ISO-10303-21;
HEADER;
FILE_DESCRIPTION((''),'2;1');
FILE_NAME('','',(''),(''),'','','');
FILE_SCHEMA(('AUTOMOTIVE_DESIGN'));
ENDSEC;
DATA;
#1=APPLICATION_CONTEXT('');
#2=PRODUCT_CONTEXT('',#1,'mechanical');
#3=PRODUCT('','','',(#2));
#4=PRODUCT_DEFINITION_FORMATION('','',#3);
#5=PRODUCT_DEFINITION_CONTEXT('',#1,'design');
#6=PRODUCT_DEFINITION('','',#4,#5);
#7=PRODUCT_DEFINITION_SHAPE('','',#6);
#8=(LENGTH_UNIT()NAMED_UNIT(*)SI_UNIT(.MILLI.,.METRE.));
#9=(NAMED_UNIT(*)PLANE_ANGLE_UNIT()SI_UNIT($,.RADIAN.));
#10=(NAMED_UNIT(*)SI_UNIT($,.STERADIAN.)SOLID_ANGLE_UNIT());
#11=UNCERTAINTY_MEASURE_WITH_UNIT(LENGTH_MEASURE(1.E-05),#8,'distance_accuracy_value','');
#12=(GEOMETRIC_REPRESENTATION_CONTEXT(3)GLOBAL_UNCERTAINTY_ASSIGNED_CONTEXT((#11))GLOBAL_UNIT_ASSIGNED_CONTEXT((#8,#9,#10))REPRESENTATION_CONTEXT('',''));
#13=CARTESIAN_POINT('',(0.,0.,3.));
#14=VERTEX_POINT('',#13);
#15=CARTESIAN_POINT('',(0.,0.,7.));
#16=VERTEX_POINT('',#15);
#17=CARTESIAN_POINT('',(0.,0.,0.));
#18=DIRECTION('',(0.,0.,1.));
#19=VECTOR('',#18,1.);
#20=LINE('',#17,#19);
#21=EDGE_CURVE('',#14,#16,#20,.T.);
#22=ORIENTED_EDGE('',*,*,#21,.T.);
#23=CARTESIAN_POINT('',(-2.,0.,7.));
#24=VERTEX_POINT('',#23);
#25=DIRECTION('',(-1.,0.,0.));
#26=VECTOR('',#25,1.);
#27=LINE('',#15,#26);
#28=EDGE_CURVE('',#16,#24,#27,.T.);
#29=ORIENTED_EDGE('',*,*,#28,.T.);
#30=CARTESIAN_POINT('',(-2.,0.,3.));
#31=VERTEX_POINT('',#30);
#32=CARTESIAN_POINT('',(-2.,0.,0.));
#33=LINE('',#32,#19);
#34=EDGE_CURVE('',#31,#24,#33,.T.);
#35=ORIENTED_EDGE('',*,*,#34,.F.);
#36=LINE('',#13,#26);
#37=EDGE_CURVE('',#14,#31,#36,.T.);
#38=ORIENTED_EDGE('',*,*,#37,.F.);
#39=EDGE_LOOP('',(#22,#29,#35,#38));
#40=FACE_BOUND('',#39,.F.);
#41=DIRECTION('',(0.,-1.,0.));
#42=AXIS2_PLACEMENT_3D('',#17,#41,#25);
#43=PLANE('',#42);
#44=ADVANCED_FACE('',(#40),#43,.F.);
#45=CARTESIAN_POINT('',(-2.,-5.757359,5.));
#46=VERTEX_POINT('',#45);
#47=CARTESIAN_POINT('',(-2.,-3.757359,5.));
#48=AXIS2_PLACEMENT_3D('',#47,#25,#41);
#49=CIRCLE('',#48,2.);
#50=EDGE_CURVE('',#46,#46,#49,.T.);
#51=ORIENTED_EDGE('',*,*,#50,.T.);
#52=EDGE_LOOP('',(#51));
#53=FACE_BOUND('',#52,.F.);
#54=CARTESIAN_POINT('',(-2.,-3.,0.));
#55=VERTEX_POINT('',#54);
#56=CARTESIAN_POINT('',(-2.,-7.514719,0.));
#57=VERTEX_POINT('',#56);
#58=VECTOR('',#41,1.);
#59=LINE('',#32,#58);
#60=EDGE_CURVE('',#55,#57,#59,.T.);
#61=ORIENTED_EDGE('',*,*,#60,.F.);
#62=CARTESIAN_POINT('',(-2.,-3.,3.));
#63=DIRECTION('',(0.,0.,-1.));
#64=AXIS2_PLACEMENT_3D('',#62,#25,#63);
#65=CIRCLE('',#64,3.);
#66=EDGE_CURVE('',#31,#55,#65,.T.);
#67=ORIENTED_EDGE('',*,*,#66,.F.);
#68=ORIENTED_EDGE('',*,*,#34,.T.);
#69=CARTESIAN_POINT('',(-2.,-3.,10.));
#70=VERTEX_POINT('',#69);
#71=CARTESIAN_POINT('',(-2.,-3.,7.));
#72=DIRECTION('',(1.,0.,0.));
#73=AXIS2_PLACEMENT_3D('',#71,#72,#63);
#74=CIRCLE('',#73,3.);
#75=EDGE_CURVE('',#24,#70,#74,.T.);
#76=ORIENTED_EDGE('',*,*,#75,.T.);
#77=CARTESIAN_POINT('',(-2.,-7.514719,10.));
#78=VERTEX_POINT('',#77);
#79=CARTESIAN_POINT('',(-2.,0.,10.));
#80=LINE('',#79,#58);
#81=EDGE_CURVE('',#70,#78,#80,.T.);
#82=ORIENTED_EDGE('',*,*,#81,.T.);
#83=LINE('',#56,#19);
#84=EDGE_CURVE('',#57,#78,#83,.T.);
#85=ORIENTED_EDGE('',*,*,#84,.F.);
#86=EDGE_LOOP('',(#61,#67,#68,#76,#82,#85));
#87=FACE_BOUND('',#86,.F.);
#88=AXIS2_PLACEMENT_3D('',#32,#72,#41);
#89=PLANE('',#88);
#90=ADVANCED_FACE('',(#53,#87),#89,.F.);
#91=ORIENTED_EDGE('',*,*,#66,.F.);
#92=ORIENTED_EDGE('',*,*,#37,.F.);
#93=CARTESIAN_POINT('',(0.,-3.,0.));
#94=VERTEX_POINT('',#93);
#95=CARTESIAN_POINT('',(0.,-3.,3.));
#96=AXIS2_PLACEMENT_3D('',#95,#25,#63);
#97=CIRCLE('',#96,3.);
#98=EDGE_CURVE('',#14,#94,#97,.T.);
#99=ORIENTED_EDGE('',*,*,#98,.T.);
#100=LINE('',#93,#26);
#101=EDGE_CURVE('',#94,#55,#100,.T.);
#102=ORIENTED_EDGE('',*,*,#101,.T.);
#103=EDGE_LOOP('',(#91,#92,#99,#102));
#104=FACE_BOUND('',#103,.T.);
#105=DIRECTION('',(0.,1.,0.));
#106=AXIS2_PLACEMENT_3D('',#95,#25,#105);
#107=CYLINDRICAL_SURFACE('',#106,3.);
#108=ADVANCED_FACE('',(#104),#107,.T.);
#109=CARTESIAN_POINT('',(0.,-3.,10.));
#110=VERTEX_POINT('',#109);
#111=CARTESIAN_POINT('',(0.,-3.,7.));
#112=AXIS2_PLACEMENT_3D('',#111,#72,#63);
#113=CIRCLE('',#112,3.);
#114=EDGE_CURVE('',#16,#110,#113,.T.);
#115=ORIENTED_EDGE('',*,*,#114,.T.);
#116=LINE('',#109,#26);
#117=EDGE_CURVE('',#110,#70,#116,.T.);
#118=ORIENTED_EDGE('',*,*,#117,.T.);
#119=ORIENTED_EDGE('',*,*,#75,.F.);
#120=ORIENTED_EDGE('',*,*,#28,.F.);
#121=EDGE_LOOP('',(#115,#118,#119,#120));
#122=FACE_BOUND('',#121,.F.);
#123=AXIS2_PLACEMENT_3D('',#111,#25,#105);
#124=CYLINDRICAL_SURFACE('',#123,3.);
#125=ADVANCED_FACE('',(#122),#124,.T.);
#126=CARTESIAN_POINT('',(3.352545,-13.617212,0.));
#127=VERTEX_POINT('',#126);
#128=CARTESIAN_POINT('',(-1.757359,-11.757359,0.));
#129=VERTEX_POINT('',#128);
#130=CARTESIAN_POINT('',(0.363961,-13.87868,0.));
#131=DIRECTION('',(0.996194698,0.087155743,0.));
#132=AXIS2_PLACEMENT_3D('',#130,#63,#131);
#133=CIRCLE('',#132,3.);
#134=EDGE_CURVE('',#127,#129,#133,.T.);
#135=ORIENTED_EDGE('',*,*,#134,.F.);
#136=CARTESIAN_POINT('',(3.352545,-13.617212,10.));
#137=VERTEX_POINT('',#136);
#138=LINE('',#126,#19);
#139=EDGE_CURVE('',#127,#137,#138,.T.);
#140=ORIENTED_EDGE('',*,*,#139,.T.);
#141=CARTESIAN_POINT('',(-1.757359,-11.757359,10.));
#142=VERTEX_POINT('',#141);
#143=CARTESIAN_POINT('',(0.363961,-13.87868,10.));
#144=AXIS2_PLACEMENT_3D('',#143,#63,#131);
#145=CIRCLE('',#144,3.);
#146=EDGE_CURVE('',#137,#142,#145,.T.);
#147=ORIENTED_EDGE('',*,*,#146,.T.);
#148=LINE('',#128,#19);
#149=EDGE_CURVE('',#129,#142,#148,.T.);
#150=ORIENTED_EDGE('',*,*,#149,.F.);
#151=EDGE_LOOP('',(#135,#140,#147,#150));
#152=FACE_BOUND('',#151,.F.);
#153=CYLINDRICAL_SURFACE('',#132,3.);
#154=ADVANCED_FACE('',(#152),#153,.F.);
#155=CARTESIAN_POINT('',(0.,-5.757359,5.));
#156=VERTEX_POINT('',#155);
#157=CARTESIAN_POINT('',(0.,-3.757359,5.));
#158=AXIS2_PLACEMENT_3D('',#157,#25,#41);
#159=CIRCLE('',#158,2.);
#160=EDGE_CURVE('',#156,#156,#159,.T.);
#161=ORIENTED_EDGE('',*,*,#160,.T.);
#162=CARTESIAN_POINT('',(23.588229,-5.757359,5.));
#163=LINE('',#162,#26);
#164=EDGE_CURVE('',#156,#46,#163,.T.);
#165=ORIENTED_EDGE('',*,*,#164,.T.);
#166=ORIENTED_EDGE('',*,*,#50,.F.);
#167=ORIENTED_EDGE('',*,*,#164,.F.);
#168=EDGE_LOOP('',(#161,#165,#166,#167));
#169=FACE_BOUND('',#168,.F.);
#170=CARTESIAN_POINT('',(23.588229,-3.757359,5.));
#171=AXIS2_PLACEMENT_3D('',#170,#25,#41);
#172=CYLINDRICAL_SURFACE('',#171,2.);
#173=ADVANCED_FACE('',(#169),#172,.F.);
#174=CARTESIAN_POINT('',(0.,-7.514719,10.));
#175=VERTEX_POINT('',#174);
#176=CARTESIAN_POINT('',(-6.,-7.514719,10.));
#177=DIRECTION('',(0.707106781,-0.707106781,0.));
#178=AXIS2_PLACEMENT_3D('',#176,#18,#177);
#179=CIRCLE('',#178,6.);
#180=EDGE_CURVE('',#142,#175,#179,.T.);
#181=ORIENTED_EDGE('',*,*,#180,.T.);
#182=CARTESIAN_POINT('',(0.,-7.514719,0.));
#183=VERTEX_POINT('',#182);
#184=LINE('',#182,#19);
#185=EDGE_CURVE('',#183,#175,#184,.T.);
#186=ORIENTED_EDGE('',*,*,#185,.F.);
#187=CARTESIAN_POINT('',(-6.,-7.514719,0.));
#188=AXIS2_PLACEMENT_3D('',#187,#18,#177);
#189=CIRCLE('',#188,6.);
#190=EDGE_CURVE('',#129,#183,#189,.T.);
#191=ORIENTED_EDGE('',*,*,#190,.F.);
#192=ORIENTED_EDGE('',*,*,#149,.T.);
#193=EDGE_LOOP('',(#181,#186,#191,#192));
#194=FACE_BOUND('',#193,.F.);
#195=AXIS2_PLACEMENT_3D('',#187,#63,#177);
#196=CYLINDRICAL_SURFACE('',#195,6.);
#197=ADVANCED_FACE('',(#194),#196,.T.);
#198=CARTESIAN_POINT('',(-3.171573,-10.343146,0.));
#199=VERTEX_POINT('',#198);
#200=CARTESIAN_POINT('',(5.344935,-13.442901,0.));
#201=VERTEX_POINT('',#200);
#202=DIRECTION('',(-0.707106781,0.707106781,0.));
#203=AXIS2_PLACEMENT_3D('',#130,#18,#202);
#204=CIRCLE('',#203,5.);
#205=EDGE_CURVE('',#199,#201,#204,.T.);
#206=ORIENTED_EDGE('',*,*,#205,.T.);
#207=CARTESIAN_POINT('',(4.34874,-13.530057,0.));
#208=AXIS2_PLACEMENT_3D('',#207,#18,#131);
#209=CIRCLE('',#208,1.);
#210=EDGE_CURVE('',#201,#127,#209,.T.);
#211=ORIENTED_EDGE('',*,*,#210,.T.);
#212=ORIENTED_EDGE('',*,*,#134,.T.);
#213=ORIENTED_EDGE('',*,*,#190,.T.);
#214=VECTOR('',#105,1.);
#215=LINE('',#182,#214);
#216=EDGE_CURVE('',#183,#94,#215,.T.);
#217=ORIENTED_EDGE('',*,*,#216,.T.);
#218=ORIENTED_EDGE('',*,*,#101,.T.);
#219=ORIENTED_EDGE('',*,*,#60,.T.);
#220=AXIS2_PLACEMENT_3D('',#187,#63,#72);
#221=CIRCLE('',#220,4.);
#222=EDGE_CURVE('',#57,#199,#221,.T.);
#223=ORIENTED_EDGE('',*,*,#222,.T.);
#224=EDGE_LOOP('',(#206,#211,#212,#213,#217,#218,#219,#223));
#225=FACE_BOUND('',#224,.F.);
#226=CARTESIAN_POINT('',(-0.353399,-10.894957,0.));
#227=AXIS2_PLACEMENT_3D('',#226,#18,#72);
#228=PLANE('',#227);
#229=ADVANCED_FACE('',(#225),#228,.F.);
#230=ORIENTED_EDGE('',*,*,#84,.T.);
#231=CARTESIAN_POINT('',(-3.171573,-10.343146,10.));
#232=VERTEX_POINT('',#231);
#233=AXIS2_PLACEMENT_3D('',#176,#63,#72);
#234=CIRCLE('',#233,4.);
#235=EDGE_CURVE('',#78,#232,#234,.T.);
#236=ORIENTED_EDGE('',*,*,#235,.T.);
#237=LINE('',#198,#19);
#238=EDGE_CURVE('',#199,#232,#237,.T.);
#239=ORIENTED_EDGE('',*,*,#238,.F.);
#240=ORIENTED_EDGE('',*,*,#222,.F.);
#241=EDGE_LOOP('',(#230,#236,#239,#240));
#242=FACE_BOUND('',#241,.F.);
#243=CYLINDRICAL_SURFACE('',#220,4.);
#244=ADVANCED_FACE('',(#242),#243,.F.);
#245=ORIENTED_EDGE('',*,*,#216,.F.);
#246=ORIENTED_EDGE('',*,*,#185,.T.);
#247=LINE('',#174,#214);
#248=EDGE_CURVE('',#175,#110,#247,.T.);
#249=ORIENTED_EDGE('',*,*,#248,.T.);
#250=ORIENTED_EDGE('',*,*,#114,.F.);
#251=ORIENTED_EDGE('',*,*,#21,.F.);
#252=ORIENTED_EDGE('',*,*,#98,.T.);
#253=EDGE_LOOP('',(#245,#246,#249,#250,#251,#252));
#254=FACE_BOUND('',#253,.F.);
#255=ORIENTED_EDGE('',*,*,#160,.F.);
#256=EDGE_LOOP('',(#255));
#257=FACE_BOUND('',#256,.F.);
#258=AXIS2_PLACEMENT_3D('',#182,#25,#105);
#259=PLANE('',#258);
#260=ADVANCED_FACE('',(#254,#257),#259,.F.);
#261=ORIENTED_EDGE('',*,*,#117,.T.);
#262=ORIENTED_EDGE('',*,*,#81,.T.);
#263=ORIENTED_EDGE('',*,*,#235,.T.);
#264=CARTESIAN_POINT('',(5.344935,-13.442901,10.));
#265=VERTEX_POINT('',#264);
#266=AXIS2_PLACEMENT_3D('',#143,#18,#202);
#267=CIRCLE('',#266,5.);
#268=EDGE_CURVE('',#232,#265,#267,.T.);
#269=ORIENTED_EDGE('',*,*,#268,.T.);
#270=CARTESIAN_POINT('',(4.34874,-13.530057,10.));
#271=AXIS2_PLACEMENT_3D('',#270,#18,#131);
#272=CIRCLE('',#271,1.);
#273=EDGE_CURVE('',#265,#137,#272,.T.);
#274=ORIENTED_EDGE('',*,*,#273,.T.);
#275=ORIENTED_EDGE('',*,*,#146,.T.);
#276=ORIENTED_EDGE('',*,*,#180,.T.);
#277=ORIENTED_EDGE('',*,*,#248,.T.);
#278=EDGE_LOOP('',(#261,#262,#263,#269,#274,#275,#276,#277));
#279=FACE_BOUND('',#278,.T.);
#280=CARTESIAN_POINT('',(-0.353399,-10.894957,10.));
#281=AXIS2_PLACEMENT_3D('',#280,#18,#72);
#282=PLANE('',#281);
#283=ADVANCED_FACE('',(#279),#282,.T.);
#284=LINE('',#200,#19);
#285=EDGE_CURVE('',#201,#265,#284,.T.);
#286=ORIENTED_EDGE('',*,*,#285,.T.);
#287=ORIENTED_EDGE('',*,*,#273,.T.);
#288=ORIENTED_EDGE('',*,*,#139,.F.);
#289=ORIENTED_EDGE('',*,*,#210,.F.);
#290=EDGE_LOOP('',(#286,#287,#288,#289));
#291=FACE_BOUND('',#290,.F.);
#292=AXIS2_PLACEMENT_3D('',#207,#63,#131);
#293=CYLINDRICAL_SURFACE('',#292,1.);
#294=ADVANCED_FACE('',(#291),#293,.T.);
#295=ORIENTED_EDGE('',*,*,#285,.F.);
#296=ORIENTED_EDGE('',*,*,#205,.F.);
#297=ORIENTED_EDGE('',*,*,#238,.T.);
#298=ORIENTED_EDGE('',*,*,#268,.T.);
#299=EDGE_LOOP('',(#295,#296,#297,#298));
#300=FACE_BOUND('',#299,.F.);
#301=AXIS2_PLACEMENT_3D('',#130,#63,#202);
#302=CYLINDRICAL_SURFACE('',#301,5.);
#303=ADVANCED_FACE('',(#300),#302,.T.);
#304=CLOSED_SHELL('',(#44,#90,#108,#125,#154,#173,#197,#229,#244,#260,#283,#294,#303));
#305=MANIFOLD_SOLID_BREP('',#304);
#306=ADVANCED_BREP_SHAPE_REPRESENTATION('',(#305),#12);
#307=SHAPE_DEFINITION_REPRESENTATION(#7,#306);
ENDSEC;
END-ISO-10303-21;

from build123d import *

# Parameters (mm, degrees)
F1_DEPTH = 10
F2_R     = 3
F4_D     = 4


with BuildPart() as f1:
    # F0 (on Top) → F1 (new body)
    with BuildSketch(Plane.XY):
        with BuildLine():
            ThreePointArc((3.352545125, -13.6172124282), (-0.6620993993, -16.6977575188), (-1.7573593129, -11.7573593129))
            ThreePointArc((-1.7573593129, -11.7573593129), (-0.4567228049, -9.81081922), (0, -7.5147186258))
            Line((0, -7.5147186258), (0, 0))
            Line((0, 0), (-2, 0))
            Line((-2, 0), (-2, -7.5147186258))
            ThreePointArc((-2, -7.5147186258), (-2.30448187, -9.0454523552), (-3.1715728753, -10.3431457505))
            ThreePointArc((-3.1715728753, -10.3431457505), (-1.3461396859, -18.5771427604), (5.3449345211, -13.4429009427))
            ThreePointArc((5.3449345211, -13.4429009427), (4.2615840803, -12.5338619874), (3.352545125, -13.6172124282))
        make_face()
    extrude(amount=F1_DEPTH)

    # F2
    f2_edges = [f1.edges().sort_by_distance(p)[0] for p in [
        (-1, 0, 10),
        (-1, 0, 0),
    ]]
    fillet(f2_edges, radius=F2_R)

    # F4 (through all)
    with Locations(Plane.YZ):
        with Locations((-3.7573593129, 5)):
            Hole(F4_D / 2)


solid = f1.part
